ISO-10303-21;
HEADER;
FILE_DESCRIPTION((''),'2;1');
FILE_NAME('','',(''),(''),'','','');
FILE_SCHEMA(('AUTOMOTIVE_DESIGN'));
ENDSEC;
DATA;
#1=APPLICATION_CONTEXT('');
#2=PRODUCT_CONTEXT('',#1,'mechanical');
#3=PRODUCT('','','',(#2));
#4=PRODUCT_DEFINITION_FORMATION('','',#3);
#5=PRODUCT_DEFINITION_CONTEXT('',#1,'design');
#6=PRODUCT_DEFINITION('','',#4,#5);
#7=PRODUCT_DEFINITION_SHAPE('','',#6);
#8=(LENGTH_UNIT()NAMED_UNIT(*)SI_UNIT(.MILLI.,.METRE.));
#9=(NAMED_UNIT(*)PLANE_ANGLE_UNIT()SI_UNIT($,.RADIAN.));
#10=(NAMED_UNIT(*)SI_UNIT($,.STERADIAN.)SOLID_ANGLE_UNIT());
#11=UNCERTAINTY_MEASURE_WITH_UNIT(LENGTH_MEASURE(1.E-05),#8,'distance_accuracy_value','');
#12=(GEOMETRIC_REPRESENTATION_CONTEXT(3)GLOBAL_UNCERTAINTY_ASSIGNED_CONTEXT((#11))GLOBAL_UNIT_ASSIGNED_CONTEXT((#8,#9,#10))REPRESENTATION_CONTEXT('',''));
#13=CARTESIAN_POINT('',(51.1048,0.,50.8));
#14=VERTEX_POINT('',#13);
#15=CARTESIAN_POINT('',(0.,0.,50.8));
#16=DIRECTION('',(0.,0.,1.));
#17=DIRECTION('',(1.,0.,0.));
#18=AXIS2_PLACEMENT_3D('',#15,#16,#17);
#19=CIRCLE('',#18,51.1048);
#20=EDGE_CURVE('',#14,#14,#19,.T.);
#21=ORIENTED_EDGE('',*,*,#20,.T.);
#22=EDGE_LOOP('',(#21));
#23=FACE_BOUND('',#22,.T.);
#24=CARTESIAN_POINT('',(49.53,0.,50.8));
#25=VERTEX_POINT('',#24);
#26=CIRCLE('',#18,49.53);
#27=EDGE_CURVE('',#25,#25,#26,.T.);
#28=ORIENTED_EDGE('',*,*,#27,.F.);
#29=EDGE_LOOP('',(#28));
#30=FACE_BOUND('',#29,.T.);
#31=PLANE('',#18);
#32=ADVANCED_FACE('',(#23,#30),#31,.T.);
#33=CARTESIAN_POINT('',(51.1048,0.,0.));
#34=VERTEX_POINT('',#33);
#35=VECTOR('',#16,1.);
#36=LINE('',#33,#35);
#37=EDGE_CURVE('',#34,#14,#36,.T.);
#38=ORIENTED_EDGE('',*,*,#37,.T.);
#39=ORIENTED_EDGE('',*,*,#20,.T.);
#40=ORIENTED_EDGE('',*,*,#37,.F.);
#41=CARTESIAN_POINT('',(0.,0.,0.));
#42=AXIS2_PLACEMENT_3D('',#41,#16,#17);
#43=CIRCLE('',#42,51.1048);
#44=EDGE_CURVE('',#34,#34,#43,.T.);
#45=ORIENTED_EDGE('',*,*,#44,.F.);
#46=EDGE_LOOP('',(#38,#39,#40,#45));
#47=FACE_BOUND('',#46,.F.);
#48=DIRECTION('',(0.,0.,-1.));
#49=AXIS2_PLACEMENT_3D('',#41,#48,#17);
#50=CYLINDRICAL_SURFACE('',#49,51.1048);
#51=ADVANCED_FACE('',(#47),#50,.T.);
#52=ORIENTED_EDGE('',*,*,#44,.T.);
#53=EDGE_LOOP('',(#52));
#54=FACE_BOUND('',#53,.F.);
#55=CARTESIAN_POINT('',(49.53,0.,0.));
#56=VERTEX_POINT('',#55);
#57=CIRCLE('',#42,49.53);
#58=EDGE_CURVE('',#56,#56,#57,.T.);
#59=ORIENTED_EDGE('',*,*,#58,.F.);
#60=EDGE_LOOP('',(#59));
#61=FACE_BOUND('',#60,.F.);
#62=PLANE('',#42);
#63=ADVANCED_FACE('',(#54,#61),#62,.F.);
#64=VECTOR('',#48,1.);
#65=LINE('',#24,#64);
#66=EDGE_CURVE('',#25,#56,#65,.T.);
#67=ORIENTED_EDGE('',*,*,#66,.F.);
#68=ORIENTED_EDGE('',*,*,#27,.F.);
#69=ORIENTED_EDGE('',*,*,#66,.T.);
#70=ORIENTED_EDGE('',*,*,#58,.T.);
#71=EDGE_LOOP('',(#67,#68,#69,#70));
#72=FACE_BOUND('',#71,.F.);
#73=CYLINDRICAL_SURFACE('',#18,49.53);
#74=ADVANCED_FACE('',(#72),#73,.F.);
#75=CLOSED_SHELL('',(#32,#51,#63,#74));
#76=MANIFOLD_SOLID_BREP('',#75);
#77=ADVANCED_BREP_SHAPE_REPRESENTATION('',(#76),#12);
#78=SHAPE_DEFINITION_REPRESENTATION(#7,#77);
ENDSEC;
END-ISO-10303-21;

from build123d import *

# Parameters (mm, degrees)
SKETCH002_R     = 51.1048
PAD001_DEPTH    = 50.8
SKETCH003_R     = 49.53
POCKET001_DEPTH = 50.801


with BuildPart() as part:
    # Sketch002 → Pad001 (new body)
    with BuildSketch(Plane.XY):
        Circle(SKETCH002_R)
    extrude(amount=PAD001_DEPTH)

    # Sketch003 (on Face3 of Pad001) → Pocket001 (cut, through all)
    with BuildSketch(Plane.XY.offset(50.8)):
        Circle(SKETCH003_R)
    extrude(amount=-POCKET001_DEPTH, mode=Mode.SUBTRACT)


solid = part.part
